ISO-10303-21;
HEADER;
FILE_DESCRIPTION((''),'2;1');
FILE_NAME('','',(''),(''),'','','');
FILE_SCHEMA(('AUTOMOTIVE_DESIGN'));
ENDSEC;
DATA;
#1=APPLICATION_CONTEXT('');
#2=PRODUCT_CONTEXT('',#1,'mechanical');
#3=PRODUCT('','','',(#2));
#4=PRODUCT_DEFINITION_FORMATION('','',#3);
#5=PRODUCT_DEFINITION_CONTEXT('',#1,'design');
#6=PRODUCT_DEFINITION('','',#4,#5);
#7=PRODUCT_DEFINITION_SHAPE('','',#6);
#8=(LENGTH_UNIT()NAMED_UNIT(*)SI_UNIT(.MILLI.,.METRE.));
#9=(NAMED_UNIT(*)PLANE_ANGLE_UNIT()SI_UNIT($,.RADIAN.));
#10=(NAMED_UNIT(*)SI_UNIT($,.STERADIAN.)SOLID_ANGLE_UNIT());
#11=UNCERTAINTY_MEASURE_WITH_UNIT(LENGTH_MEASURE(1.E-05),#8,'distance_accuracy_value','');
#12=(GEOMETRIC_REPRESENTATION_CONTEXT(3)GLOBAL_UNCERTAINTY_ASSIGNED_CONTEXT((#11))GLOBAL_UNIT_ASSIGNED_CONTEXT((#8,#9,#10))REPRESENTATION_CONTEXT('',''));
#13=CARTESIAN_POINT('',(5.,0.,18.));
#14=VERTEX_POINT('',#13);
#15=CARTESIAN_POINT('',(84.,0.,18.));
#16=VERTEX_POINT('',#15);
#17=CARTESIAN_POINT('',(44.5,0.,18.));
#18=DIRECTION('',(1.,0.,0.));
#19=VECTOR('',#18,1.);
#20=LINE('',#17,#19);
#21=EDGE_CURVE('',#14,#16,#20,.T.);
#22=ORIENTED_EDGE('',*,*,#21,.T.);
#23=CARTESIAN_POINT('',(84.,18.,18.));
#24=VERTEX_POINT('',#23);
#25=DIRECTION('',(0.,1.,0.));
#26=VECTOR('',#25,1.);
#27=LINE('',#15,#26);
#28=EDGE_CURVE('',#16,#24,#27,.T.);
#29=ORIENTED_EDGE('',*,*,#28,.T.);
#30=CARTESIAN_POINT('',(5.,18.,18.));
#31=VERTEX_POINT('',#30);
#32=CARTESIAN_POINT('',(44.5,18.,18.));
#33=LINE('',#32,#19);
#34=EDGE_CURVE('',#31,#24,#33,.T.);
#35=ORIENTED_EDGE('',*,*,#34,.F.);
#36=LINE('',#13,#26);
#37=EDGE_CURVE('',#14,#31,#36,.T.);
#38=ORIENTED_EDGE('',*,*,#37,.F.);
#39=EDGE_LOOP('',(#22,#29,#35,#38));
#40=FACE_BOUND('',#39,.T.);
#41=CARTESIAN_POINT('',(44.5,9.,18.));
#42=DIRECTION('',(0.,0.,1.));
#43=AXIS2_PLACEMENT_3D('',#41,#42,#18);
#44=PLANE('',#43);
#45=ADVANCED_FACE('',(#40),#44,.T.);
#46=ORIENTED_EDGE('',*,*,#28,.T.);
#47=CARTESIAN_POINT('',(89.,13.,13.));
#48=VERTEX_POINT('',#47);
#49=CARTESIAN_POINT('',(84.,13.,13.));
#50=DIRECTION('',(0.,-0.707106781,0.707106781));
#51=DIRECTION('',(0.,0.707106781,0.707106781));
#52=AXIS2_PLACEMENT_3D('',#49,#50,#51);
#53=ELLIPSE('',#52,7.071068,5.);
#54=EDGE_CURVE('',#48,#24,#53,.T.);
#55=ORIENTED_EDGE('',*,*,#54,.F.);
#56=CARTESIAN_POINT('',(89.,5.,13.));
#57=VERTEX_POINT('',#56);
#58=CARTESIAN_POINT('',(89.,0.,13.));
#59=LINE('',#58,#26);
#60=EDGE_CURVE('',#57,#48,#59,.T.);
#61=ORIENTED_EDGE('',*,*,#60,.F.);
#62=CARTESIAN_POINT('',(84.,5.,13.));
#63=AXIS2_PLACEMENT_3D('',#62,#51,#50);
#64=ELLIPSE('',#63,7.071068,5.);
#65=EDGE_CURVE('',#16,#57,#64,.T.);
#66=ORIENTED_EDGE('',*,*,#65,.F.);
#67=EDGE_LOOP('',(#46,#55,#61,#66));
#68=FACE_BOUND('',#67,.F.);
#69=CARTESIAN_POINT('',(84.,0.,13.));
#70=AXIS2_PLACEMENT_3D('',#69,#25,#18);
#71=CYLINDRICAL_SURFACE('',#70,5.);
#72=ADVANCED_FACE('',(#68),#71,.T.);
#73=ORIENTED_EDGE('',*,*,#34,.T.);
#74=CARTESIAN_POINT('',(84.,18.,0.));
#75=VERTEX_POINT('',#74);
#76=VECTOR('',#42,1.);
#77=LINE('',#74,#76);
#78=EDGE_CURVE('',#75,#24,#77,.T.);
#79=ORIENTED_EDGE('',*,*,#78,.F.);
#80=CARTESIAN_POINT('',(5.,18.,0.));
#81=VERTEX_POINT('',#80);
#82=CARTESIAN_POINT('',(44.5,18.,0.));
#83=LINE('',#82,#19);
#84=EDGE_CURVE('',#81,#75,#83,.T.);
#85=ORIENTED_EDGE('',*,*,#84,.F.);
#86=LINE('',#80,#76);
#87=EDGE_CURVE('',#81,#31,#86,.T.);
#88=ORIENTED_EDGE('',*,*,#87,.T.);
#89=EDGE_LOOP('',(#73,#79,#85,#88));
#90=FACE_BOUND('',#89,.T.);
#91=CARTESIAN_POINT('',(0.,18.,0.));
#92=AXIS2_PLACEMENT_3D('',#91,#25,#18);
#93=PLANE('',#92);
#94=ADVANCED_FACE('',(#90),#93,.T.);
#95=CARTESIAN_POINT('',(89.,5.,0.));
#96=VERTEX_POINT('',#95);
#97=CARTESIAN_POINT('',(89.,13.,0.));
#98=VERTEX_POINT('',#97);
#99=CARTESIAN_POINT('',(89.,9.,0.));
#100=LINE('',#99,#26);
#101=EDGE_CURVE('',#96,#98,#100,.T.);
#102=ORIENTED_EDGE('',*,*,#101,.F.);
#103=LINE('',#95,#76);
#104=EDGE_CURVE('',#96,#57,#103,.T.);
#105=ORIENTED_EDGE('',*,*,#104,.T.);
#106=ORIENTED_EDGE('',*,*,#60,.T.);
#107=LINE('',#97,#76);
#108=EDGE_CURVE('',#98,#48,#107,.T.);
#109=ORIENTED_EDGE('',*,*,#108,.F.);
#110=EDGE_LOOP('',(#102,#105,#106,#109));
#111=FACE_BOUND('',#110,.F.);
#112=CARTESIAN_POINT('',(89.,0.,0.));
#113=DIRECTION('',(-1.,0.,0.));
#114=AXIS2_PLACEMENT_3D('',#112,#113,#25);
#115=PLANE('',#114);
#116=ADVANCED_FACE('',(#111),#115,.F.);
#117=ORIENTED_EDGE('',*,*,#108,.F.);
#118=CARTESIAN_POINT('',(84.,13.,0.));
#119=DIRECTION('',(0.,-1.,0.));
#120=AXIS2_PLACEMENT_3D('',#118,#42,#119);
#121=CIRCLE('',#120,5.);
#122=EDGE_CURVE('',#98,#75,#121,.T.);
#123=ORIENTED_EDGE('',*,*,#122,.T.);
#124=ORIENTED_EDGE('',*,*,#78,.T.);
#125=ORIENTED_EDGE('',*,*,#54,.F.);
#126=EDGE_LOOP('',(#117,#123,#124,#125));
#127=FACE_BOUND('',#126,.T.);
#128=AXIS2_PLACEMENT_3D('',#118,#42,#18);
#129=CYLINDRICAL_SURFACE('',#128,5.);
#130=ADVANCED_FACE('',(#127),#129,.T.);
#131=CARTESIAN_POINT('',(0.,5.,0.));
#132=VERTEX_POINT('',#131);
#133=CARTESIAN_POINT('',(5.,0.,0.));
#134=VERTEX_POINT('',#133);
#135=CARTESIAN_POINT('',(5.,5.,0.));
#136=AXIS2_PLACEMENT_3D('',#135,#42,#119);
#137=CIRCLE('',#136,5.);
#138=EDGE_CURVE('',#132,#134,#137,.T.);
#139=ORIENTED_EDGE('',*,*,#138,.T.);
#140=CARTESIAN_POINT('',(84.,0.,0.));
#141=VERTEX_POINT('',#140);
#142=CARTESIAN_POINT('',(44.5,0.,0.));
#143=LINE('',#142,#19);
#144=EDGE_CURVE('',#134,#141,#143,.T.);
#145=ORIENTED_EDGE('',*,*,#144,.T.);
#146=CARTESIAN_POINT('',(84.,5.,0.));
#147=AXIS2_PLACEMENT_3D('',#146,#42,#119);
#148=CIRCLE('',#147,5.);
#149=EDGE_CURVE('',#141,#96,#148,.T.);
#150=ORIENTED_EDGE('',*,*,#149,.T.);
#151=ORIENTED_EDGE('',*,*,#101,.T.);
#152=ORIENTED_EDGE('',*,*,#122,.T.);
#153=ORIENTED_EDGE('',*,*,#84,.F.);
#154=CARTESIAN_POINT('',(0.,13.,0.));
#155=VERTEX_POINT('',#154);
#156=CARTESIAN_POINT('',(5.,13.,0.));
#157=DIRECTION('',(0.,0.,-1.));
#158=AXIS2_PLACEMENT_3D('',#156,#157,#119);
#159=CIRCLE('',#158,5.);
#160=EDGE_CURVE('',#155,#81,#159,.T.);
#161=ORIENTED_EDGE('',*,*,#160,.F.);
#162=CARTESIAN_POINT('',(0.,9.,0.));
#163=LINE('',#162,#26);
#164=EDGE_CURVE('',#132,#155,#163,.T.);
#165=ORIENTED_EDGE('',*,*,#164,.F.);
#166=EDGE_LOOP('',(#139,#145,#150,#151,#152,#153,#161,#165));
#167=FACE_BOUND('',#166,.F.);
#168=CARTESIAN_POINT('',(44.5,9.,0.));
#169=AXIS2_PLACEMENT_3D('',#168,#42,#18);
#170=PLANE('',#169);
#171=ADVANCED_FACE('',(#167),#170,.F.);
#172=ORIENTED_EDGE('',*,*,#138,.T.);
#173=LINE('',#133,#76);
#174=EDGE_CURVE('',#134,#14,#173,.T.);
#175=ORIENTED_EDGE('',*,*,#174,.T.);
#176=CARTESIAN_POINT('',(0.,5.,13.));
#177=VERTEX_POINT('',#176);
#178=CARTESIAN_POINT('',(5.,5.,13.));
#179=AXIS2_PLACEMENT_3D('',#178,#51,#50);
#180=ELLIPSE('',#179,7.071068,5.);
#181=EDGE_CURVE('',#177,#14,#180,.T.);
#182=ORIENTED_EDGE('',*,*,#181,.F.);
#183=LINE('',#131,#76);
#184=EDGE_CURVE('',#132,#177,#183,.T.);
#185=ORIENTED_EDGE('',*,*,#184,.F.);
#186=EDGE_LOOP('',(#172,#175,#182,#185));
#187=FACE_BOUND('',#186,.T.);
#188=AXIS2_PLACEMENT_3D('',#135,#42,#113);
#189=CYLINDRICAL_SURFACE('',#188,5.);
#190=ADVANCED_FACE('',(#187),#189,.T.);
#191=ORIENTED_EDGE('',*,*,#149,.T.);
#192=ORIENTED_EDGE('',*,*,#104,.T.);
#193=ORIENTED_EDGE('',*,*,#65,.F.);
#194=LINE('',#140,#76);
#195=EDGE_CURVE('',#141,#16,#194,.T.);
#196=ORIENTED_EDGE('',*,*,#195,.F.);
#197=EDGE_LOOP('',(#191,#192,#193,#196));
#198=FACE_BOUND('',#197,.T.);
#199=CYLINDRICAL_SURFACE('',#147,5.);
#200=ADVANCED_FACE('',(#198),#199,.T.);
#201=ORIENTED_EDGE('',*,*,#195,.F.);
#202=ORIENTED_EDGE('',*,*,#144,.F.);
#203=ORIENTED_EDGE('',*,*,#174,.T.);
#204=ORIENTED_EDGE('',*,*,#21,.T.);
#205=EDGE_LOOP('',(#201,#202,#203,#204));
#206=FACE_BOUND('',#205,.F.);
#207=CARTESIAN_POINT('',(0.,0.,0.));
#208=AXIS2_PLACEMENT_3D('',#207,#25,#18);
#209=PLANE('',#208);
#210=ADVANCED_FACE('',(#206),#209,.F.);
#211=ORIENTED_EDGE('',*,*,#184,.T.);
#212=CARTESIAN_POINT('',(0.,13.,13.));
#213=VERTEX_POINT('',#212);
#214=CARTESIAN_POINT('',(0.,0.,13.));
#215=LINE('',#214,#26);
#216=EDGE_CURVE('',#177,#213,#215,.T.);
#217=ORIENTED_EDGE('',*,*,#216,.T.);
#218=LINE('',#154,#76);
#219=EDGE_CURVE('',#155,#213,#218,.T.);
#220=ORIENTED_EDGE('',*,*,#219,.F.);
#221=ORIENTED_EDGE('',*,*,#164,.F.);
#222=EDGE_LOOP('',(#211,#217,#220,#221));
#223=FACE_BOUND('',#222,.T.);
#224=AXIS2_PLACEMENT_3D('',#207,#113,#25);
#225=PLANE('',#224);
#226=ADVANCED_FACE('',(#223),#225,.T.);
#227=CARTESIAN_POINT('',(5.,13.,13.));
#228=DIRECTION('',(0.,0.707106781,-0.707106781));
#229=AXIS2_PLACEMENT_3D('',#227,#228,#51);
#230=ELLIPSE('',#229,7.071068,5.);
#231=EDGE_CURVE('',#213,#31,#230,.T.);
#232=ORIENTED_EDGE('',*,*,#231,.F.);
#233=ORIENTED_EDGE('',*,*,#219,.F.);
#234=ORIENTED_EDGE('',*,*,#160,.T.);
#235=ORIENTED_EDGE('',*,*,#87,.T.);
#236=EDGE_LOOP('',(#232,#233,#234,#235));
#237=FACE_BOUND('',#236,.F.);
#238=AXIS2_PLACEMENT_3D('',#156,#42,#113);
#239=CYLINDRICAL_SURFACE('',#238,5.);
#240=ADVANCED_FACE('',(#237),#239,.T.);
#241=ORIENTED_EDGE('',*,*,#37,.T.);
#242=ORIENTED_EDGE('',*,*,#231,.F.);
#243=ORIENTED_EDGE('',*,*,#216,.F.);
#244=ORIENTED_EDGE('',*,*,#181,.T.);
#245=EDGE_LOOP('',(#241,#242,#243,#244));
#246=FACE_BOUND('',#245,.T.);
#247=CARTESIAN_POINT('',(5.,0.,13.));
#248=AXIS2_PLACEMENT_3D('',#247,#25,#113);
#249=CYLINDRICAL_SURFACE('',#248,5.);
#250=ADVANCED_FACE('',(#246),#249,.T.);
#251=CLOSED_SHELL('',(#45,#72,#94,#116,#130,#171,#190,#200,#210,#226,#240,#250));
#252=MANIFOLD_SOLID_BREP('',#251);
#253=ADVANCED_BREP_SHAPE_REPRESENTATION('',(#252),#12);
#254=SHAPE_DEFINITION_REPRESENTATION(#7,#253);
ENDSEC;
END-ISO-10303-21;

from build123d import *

# Parameters (mm, degrees)
F0_W     = 89
F0_H     = 18
F1_DEPTH = 18
F2_R     = 5


with BuildPart() as f1:
    # F0 (on Top) → F1 (new body)
    with BuildSketch(Plane.XY):
        with Locations((44.5, 9)):
            Rectangle(F0_W, F0_H)
    extrude(amount=F1_DEPTH)

    # F2
    f2_edges = [f1.edges().sort_by_distance(p)[0] for p in [
        (0, 0, 9),
        (89, 0, 9),
        (89, 18, 9),
        (0, 18, 9),
        (0, 9, 18),
        (89, 9, 18),
    ]]
    fillet(f2_edges, radius=F2_R)


solid = f1.part
